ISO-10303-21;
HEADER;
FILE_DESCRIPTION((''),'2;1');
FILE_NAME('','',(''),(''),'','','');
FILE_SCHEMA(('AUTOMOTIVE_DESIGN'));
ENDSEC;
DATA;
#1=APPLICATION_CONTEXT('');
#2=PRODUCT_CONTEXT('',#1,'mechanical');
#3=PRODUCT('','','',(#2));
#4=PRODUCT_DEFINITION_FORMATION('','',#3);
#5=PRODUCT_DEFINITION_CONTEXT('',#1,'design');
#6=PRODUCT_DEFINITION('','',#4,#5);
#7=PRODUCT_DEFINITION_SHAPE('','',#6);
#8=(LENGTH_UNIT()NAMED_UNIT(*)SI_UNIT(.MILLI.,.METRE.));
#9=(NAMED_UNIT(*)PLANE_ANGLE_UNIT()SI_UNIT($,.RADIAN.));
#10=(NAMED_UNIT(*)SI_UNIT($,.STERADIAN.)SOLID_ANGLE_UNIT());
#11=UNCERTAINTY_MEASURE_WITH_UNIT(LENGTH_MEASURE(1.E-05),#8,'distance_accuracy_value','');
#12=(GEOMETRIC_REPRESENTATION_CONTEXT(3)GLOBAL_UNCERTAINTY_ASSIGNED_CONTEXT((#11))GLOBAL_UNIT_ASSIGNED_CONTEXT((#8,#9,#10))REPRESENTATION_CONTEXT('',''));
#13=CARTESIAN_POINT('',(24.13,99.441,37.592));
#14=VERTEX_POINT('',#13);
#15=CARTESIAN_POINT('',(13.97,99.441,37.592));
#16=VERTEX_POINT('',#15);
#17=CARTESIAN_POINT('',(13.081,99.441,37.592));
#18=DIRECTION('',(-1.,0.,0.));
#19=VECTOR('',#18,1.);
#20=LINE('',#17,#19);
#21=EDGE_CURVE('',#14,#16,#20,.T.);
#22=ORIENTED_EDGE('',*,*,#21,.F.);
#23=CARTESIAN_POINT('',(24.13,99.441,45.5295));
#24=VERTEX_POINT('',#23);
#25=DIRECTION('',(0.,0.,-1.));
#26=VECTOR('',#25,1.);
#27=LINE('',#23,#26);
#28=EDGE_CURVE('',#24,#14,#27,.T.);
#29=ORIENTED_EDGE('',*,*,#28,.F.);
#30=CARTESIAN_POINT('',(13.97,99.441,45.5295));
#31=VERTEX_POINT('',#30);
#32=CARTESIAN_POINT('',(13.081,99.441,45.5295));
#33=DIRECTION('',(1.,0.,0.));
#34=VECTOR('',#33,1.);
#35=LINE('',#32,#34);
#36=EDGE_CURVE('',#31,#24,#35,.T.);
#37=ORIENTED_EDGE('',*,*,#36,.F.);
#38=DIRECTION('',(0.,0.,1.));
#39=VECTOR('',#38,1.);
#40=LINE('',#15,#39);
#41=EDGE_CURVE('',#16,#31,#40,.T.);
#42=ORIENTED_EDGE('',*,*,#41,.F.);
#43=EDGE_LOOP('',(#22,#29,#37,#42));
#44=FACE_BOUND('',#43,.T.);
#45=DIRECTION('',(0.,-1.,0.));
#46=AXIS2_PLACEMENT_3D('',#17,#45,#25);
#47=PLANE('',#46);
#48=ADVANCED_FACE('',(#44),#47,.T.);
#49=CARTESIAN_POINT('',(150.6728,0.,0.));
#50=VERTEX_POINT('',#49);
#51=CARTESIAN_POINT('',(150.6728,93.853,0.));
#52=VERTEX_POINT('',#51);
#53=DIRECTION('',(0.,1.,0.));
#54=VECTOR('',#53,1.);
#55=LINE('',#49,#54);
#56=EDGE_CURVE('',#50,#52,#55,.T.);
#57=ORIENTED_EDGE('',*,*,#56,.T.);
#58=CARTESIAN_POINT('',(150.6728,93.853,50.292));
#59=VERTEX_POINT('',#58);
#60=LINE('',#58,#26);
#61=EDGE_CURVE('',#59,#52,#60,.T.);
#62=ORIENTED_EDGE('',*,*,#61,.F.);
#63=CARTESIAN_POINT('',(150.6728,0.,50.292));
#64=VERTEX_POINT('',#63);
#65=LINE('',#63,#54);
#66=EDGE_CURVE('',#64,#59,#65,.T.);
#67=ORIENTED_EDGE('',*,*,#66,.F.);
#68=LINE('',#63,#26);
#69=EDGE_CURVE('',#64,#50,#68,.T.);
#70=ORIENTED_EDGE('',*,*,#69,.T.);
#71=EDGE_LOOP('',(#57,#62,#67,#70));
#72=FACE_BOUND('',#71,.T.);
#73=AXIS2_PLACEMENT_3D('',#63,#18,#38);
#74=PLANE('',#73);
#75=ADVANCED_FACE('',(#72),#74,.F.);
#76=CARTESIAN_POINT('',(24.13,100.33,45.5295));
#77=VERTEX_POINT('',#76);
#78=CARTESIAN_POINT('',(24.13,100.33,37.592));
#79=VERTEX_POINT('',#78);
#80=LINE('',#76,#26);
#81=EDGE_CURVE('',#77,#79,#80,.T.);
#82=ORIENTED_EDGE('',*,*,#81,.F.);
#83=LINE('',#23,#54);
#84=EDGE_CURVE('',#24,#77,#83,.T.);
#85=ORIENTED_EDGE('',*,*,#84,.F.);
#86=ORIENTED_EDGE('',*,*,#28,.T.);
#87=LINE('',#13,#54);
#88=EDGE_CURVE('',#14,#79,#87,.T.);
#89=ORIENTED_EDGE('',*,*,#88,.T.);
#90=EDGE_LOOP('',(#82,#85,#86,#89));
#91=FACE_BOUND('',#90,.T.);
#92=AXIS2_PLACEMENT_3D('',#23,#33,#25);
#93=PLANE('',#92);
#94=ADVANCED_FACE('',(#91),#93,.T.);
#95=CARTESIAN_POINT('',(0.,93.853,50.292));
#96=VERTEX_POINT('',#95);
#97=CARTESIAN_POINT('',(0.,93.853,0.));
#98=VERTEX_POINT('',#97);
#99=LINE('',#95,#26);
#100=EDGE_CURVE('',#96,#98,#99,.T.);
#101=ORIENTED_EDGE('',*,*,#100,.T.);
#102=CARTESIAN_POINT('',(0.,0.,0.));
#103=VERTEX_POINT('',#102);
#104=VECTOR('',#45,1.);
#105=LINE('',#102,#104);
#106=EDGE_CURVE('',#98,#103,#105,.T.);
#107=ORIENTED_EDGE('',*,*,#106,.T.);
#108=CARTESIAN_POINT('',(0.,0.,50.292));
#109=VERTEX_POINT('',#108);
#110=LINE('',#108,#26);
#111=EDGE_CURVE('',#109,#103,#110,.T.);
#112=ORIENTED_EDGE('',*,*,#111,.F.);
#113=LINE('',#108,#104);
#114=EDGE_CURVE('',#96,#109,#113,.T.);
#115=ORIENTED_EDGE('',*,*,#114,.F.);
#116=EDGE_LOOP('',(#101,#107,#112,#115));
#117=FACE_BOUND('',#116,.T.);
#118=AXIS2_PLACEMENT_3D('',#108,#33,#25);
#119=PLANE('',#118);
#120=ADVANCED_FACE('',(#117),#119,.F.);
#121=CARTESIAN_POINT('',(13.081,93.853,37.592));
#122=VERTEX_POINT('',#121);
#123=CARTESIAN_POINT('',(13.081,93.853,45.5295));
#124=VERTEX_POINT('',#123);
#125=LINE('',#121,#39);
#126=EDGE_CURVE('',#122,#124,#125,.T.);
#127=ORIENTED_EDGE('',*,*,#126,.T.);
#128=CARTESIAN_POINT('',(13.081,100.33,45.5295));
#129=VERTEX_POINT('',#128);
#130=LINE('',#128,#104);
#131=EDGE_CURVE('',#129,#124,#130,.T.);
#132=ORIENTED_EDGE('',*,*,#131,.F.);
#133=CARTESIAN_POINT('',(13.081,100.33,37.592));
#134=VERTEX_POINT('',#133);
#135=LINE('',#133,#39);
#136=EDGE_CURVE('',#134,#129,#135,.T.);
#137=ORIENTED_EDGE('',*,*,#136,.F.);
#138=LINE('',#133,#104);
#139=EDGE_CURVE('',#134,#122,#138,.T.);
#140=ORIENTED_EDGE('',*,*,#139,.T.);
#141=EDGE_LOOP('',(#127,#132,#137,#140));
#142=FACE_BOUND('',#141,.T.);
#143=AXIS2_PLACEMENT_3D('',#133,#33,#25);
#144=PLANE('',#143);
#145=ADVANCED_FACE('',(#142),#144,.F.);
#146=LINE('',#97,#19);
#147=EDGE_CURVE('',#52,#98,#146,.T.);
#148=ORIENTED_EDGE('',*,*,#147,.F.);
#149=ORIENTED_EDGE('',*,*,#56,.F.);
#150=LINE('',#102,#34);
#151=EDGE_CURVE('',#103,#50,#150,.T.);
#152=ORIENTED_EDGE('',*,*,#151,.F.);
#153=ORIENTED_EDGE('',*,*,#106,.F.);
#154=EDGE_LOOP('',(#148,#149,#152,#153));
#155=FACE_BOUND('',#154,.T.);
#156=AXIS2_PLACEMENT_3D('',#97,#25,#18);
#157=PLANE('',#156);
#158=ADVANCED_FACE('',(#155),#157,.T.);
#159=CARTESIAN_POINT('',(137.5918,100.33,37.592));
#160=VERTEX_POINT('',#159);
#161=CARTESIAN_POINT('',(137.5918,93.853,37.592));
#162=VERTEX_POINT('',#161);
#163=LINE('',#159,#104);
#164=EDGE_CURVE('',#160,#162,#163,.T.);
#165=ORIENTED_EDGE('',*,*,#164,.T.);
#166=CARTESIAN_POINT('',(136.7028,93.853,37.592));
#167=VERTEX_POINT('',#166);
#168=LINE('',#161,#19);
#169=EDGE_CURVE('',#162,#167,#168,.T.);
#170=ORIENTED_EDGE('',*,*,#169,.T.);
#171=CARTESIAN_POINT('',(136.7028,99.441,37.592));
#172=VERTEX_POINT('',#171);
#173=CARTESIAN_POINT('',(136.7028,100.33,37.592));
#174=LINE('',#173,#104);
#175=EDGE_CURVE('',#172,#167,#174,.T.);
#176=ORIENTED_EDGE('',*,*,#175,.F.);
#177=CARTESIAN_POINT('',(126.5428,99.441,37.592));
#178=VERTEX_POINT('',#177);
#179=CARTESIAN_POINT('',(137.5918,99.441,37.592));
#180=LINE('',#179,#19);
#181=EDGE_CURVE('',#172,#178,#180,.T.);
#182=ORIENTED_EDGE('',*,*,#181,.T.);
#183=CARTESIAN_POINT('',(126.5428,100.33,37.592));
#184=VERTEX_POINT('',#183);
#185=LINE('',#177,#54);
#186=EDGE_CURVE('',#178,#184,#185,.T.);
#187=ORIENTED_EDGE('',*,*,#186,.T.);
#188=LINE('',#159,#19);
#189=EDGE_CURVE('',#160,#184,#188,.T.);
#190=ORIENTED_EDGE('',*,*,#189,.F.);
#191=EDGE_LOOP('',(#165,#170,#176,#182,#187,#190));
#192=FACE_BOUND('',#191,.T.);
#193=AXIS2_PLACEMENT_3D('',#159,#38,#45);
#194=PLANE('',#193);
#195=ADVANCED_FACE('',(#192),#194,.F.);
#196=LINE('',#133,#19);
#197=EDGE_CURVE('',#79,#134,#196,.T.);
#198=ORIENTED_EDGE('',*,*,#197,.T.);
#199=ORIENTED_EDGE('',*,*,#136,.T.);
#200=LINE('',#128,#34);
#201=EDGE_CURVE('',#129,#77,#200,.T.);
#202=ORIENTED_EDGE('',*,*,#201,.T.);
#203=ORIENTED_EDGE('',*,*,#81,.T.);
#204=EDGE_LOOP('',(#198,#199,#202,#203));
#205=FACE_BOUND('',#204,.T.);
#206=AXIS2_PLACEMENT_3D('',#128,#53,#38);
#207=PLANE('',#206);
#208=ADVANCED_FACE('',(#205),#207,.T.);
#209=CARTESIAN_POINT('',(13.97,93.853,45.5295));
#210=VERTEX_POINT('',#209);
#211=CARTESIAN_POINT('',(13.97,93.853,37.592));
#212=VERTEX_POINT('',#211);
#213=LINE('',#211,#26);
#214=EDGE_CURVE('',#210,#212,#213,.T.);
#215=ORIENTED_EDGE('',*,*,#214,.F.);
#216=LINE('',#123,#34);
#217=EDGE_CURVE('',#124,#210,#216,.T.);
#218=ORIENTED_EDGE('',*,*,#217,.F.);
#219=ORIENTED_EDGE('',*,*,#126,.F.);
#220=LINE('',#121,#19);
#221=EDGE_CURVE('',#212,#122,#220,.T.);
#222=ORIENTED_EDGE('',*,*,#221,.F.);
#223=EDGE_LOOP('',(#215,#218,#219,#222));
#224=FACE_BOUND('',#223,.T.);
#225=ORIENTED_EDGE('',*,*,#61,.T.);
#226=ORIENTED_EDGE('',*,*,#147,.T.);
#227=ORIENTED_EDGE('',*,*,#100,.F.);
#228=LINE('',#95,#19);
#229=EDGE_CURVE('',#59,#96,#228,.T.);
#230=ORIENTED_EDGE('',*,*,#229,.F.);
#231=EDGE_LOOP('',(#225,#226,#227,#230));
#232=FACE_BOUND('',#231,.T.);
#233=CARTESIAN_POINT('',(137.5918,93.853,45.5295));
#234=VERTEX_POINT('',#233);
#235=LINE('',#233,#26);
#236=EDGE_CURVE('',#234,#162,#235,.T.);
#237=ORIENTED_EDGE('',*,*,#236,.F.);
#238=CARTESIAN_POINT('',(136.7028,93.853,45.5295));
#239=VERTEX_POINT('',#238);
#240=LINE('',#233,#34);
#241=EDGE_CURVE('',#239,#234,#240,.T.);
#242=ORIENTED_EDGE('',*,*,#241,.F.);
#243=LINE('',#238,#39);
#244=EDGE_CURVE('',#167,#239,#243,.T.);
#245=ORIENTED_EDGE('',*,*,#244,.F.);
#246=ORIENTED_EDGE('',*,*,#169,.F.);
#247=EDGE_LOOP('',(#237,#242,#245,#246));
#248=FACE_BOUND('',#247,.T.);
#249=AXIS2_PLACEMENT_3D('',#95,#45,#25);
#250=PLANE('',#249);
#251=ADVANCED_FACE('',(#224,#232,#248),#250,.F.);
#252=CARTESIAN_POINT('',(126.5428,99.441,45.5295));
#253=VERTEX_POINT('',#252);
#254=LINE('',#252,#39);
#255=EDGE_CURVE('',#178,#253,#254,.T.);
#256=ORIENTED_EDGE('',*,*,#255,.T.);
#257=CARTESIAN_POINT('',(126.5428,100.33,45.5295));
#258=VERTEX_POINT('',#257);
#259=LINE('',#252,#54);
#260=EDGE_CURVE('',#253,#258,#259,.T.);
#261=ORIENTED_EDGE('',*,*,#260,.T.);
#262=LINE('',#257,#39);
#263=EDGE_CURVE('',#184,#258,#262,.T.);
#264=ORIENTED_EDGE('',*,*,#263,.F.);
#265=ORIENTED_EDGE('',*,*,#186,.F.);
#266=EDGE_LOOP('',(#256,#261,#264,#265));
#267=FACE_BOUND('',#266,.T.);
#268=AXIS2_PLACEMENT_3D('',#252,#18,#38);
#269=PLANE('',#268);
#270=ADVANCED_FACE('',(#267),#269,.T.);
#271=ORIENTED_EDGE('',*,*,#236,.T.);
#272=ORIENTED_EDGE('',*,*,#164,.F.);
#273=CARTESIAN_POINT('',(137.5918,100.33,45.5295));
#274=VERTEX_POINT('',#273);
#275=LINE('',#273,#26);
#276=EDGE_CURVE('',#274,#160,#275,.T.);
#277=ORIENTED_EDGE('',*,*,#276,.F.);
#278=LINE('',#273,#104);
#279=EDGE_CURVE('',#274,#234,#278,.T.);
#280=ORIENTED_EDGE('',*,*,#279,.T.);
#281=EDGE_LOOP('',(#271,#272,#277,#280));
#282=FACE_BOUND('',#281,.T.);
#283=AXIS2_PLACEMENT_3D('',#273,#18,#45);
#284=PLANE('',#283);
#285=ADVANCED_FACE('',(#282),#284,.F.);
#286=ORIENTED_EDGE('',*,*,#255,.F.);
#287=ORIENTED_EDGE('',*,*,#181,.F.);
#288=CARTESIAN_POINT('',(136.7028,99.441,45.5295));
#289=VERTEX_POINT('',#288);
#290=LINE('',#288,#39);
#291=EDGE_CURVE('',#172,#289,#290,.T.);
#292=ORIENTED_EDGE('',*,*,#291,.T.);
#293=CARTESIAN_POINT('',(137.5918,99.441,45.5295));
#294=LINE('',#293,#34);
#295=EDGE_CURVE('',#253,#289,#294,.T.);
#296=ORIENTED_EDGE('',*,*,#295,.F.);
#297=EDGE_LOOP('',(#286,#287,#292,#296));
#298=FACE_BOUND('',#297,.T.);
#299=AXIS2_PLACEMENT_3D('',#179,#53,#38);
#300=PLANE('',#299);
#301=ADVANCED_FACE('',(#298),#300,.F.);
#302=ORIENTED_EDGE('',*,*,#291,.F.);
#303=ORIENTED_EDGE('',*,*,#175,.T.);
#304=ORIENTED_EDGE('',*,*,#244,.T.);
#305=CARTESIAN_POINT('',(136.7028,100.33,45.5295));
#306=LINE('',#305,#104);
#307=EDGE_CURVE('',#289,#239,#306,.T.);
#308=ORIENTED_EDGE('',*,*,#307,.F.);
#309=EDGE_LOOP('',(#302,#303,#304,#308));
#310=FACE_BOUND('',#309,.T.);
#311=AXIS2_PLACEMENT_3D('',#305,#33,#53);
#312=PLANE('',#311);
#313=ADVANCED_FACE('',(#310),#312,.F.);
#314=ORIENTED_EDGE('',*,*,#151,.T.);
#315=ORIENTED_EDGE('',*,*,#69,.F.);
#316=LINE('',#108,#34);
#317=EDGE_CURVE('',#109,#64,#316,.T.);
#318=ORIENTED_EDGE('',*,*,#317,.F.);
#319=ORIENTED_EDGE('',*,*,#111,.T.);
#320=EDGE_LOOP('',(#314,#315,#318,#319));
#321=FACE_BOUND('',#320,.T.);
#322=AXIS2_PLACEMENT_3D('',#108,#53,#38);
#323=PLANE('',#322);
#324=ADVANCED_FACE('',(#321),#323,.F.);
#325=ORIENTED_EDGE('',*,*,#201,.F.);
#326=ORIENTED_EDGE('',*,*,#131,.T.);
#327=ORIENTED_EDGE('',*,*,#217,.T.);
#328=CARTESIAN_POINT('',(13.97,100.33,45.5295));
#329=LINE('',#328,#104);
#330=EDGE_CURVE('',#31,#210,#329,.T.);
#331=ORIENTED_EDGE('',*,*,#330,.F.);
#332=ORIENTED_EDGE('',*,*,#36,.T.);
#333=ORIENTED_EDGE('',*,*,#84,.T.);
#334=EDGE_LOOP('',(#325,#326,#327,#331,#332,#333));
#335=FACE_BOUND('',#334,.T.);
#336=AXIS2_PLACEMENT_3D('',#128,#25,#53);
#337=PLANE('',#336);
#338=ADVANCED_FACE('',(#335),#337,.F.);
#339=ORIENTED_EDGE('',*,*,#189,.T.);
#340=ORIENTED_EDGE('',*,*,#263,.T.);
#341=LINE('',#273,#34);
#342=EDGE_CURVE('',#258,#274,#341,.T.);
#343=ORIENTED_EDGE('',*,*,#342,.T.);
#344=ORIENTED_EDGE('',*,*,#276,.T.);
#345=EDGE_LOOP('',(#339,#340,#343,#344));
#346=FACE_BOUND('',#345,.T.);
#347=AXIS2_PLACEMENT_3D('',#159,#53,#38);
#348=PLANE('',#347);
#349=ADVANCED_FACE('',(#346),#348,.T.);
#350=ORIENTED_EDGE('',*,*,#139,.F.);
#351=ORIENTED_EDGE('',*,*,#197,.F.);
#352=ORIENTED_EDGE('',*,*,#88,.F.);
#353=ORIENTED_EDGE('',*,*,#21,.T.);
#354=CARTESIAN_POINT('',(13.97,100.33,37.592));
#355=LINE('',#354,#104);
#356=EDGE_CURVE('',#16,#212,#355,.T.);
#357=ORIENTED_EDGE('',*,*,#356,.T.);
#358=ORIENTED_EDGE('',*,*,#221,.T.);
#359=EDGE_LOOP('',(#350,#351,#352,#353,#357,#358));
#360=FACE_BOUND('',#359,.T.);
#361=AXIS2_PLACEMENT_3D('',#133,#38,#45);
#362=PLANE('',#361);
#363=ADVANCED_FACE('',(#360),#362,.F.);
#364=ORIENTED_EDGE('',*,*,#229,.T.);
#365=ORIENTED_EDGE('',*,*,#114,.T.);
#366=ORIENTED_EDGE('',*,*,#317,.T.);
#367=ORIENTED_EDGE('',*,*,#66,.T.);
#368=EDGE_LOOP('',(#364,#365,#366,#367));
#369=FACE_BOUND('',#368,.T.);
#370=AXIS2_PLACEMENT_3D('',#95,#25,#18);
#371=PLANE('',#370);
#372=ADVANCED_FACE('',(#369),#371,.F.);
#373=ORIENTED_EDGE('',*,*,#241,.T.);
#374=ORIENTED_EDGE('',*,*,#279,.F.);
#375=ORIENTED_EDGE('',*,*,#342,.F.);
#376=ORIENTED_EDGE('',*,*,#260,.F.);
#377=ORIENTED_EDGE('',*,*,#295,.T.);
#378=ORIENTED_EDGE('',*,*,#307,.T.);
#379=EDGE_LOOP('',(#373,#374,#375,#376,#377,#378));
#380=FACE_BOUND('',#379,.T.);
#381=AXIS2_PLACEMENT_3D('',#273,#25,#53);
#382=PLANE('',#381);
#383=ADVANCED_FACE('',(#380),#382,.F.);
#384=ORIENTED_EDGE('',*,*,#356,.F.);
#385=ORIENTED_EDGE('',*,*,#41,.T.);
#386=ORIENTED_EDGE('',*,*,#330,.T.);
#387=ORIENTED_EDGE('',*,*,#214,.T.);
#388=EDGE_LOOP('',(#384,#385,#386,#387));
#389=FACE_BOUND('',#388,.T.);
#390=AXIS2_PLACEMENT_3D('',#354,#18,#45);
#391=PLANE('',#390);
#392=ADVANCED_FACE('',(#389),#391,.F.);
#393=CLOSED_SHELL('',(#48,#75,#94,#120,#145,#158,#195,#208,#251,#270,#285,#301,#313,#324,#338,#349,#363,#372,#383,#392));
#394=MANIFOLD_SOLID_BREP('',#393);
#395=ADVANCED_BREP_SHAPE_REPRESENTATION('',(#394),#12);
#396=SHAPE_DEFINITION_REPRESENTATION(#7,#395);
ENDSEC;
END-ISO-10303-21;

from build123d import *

# Parameters (mm, degrees)
SKETCH2_W      = 150.6728
SKETCH2_H      = 93.853
EXTRUDE1_DEPTH = 50.292
SKETCH3_W      = 0.889
SKETCH3_H      = 7.9375
EXTRUDE2_DEPTH = 6.477
SKETCH5_W      = 11.049
SKETCH5_H      = 7.9375
EXTRUDE3_DEPTH = 0.889


with BuildPart() as part:
    # Sketch2 → Extrude1 (new body)
    with BuildSketch(Plane.XY):
        with Locations((75.3364, 46.9265)):
            Rectangle(SKETCH2_W, SKETCH2_H)
    extrude(amount=EXTRUDE1_DEPTH)

    # Sketch3 → Extrude2 (add)
    with BuildSketch(Plane(origin=(0, 93.853, 0), x_dir=(-1, 0, 0), z_dir=(0, 1, 0))):
        with Locations((-13.5255, 41.56075)):
            Rectangle(SKETCH3_W, SKETCH3_H)
        with Locations((-137.1473, 41.56075)):
            Rectangle(SKETCH3_W, SKETCH3_H)
    extrude(amount=EXTRUDE2_DEPTH)

    # Sketch5 → Extrude3 (add)
    with BuildSketch(Plane(origin=(0, 100.33, 0), x_dir=(-1, 0, 0), z_dir=(0, 1, 0))):
        with Locations((-18.6055, 41.56075)):
            Rectangle(SKETCH5_W, SKETCH5_H)
        with Locations((-132.0673, 41.56075)):
            Rectangle(SKETCH5_W, SKETCH5_H)
    extrude(amount=-EXTRUDE3_DEPTH)


solid = part.part
